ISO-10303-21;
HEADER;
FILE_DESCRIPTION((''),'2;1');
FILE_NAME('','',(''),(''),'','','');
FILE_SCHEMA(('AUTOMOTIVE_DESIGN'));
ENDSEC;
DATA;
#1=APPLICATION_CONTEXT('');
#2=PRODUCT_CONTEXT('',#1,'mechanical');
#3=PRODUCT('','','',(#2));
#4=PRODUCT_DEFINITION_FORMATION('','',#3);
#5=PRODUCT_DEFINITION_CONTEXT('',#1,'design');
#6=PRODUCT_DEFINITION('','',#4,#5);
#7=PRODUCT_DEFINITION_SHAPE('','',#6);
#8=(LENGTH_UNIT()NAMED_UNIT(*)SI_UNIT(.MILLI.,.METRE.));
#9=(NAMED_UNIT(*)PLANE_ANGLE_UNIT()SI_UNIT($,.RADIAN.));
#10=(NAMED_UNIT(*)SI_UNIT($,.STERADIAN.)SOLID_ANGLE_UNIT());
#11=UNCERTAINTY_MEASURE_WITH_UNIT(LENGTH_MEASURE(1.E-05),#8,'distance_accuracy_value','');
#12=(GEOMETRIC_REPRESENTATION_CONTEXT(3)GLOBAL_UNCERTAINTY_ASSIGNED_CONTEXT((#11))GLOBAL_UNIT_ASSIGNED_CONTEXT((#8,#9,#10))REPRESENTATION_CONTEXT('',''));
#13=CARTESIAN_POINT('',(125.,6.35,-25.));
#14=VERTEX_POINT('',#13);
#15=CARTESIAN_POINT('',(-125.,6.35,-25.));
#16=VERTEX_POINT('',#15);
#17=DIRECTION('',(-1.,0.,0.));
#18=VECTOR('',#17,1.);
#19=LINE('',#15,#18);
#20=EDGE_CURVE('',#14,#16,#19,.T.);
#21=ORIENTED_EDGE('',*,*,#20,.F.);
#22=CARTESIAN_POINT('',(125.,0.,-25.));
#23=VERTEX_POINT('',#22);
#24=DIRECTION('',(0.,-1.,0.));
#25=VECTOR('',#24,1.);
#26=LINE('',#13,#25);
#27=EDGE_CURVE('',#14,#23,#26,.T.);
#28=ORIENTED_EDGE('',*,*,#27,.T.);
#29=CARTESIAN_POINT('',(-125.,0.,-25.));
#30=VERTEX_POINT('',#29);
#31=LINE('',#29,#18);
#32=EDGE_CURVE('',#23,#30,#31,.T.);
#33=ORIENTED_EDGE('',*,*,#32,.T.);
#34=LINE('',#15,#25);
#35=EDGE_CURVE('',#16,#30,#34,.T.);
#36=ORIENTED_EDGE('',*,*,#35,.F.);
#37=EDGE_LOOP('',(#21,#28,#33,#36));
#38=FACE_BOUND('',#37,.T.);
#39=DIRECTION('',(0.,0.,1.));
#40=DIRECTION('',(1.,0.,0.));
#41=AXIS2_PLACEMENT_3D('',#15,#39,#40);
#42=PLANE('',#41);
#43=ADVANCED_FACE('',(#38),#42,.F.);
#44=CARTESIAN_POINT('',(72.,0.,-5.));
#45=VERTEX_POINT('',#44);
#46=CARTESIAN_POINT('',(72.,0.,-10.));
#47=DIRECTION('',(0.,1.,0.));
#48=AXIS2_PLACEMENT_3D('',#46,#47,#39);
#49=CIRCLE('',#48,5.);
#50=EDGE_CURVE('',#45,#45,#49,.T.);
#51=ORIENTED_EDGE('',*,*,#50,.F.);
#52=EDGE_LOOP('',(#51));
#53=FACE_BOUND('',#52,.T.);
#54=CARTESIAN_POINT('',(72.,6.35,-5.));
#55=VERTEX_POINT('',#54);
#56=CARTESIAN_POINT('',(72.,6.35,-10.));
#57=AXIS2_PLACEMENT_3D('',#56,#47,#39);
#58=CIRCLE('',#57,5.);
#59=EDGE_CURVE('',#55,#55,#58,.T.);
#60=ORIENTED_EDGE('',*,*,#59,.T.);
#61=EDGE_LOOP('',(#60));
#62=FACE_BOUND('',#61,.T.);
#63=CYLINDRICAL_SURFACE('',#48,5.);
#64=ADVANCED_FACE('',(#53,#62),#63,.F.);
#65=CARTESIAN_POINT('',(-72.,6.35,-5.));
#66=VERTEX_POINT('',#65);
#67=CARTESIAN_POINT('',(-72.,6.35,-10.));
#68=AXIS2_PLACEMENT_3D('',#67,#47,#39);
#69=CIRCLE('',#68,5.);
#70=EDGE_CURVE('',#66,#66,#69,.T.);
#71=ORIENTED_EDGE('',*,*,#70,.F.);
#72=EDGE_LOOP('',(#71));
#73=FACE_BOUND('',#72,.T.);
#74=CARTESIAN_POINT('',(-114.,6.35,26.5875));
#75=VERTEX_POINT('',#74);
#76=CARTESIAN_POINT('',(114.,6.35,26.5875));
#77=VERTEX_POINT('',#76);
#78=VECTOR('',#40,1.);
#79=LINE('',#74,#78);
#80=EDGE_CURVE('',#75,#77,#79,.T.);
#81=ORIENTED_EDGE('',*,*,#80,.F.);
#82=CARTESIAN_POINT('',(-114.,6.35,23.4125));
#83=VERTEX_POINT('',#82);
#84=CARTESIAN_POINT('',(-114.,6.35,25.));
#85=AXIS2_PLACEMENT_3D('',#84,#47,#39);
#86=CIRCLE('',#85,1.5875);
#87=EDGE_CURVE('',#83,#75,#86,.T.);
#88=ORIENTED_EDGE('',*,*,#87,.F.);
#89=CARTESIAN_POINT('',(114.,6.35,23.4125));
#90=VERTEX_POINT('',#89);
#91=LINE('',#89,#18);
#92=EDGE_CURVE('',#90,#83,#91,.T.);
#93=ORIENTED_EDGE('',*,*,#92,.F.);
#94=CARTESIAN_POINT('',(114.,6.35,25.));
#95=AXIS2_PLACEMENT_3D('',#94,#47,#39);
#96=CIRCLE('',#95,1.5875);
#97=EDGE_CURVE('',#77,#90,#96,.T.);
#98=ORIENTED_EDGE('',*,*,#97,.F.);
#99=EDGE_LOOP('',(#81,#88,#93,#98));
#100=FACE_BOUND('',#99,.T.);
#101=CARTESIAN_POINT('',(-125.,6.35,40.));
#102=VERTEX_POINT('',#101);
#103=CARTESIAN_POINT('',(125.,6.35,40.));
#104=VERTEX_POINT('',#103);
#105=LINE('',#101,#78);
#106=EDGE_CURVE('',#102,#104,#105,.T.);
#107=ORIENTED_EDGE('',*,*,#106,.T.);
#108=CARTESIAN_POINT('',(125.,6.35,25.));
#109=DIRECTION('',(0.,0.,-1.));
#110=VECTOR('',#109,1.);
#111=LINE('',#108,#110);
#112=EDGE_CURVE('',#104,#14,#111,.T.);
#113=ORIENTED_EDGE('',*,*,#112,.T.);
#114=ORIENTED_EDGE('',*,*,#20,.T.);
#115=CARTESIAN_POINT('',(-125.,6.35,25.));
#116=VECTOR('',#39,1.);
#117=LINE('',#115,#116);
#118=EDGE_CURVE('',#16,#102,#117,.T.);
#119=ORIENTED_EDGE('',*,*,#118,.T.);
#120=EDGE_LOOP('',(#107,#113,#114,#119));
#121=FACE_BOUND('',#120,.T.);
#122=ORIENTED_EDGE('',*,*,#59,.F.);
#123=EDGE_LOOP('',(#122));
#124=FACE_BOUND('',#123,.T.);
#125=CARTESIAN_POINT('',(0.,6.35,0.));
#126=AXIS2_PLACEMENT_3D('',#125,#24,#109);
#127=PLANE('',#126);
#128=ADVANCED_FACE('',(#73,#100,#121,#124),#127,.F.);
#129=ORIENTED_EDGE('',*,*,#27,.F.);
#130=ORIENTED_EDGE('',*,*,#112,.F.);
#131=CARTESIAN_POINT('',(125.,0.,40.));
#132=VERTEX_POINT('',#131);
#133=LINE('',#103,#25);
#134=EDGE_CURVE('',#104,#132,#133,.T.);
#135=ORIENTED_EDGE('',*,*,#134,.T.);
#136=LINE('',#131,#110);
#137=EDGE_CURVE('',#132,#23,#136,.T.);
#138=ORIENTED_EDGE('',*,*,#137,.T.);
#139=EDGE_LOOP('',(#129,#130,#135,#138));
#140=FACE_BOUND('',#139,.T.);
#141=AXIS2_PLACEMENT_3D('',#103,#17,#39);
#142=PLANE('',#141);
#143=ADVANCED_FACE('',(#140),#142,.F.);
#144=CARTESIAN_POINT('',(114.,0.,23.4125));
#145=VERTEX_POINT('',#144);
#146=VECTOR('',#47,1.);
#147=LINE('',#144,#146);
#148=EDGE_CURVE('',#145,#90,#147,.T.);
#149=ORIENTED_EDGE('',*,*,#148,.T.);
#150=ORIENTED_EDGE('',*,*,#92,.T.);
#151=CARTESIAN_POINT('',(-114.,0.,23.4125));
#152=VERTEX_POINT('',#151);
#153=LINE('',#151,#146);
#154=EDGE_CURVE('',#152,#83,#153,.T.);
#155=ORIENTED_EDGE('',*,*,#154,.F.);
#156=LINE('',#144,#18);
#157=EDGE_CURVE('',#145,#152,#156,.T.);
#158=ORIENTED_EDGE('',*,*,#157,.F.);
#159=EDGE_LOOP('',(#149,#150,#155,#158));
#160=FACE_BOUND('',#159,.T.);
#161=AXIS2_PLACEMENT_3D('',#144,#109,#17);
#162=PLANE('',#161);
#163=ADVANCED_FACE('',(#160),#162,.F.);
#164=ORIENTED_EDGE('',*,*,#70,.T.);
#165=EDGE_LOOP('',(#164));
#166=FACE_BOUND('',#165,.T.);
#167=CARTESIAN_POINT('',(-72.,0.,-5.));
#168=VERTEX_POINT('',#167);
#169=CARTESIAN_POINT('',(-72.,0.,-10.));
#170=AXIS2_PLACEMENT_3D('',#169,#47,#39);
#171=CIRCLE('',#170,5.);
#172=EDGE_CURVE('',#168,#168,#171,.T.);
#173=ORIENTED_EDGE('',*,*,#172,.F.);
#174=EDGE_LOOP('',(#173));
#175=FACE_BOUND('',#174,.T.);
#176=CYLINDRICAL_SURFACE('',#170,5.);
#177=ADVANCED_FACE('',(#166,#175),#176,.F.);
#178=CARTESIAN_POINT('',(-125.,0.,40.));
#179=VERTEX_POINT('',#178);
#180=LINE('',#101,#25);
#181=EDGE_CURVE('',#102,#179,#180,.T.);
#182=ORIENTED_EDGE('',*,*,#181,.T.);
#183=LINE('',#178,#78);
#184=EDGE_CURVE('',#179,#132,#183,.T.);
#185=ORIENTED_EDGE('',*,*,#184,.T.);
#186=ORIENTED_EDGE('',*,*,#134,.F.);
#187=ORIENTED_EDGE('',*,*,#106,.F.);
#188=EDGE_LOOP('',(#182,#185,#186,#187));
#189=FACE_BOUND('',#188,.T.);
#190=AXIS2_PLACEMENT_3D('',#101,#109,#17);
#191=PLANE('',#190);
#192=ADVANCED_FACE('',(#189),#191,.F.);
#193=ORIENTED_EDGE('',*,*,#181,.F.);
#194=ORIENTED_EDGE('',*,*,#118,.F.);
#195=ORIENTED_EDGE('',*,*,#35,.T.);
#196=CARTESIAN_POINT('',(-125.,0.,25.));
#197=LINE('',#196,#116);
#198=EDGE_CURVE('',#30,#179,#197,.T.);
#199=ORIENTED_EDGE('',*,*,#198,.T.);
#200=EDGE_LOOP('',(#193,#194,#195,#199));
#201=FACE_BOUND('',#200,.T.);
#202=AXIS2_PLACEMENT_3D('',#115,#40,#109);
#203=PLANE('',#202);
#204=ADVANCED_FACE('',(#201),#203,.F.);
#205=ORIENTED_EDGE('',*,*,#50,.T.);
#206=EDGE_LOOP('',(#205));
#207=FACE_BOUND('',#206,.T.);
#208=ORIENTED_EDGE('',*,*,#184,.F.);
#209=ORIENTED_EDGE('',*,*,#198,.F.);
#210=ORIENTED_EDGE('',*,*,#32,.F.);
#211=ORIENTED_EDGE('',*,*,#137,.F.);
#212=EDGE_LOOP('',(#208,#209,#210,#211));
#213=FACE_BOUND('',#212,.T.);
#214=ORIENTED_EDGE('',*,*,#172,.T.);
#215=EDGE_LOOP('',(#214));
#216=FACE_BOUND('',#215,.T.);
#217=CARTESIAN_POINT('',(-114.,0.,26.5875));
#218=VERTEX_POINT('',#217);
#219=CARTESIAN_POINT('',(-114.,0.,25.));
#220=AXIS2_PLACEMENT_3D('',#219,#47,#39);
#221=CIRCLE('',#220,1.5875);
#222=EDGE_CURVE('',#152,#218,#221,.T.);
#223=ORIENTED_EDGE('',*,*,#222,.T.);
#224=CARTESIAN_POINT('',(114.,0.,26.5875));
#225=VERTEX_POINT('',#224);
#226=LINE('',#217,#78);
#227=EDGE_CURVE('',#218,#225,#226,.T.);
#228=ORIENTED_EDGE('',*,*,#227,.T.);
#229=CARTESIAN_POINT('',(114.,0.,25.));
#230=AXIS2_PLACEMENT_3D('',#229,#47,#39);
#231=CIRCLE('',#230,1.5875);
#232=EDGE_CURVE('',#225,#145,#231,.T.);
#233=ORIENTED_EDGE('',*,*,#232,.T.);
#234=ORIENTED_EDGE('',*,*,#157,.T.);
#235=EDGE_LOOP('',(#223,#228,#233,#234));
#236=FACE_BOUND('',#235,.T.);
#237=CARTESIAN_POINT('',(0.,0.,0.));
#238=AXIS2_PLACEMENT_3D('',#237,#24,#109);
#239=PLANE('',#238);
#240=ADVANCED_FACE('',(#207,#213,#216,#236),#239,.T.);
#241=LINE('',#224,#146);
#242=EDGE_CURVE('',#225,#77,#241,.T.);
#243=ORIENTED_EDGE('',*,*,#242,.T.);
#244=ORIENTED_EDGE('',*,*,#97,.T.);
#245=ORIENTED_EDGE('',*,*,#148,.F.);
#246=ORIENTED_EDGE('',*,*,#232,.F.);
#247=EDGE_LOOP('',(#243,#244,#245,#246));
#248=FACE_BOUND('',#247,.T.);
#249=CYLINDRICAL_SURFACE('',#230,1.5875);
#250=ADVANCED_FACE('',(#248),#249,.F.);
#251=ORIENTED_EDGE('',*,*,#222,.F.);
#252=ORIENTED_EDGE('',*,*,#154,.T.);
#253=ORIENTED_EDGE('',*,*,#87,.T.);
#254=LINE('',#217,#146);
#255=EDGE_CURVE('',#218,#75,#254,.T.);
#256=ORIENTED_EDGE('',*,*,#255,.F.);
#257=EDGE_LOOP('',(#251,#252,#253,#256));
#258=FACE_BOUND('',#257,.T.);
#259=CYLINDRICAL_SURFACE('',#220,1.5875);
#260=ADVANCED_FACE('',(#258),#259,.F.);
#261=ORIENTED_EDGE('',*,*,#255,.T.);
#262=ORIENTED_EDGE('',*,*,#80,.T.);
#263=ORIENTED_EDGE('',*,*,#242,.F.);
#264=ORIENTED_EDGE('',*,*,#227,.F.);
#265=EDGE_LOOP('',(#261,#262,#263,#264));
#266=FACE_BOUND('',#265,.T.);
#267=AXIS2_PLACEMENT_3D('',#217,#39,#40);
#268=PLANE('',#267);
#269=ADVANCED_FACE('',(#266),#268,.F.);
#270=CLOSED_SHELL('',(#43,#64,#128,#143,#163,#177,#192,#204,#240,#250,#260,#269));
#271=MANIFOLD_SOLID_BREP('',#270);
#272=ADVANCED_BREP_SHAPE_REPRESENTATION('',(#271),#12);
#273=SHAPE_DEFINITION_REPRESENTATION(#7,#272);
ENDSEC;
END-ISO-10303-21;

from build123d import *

# Parameters (mm, degrees)
SALIENTE_EXTRUIR1_DEPTH = 6.35
CROQUIS2_R              = 5
CORTAR_EXTRUIR3_DEPTH   = 7.35


with BuildPart() as part:
    # Croquis1 → Saliente-Extruir1 (new body)
    with BuildSketch(Plane(origin=(0, 0, 0), x_dir=(1, 0, 0), z_dir=(0, 1, 0))):
        Polygon((-125, -25), (-125, -40), (125, -40), (125, -25), (125, 25), (-125, 25), align=None)
    extrude(amount=SALIENTE_EXTRUIR1_DEPTH)

    # Croquis2 → Cortar-Extruir3 (cut, through all)
    with BuildSketch(Plane(origin=(0, 6.35, 0), x_dir=(1, 0, 0), z_dir=(0, 1, 0))):
        with Locations((-72, 10)):
            Circle(CROQUIS2_R)
        with Locations((72, 10)):
            Circle(CROQUIS2_R)
        with BuildLine():
            Line((114, -23.4125), (-114, -23.4125))
            ThreePointArc((-114, -23.4125), (-115.5875, -25), (-114, -26.5875))
            Line((-114, -26.5875), (114, -26.5875))
            ThreePointArc((114, -26.5875), (115.5875, -25), (114, -23.4125))
        make_face()
    extrude(amount=-CORTAR_EXTRUIR3_DEPTH, mode=Mode.SUBTRACT)


solid = part.part
